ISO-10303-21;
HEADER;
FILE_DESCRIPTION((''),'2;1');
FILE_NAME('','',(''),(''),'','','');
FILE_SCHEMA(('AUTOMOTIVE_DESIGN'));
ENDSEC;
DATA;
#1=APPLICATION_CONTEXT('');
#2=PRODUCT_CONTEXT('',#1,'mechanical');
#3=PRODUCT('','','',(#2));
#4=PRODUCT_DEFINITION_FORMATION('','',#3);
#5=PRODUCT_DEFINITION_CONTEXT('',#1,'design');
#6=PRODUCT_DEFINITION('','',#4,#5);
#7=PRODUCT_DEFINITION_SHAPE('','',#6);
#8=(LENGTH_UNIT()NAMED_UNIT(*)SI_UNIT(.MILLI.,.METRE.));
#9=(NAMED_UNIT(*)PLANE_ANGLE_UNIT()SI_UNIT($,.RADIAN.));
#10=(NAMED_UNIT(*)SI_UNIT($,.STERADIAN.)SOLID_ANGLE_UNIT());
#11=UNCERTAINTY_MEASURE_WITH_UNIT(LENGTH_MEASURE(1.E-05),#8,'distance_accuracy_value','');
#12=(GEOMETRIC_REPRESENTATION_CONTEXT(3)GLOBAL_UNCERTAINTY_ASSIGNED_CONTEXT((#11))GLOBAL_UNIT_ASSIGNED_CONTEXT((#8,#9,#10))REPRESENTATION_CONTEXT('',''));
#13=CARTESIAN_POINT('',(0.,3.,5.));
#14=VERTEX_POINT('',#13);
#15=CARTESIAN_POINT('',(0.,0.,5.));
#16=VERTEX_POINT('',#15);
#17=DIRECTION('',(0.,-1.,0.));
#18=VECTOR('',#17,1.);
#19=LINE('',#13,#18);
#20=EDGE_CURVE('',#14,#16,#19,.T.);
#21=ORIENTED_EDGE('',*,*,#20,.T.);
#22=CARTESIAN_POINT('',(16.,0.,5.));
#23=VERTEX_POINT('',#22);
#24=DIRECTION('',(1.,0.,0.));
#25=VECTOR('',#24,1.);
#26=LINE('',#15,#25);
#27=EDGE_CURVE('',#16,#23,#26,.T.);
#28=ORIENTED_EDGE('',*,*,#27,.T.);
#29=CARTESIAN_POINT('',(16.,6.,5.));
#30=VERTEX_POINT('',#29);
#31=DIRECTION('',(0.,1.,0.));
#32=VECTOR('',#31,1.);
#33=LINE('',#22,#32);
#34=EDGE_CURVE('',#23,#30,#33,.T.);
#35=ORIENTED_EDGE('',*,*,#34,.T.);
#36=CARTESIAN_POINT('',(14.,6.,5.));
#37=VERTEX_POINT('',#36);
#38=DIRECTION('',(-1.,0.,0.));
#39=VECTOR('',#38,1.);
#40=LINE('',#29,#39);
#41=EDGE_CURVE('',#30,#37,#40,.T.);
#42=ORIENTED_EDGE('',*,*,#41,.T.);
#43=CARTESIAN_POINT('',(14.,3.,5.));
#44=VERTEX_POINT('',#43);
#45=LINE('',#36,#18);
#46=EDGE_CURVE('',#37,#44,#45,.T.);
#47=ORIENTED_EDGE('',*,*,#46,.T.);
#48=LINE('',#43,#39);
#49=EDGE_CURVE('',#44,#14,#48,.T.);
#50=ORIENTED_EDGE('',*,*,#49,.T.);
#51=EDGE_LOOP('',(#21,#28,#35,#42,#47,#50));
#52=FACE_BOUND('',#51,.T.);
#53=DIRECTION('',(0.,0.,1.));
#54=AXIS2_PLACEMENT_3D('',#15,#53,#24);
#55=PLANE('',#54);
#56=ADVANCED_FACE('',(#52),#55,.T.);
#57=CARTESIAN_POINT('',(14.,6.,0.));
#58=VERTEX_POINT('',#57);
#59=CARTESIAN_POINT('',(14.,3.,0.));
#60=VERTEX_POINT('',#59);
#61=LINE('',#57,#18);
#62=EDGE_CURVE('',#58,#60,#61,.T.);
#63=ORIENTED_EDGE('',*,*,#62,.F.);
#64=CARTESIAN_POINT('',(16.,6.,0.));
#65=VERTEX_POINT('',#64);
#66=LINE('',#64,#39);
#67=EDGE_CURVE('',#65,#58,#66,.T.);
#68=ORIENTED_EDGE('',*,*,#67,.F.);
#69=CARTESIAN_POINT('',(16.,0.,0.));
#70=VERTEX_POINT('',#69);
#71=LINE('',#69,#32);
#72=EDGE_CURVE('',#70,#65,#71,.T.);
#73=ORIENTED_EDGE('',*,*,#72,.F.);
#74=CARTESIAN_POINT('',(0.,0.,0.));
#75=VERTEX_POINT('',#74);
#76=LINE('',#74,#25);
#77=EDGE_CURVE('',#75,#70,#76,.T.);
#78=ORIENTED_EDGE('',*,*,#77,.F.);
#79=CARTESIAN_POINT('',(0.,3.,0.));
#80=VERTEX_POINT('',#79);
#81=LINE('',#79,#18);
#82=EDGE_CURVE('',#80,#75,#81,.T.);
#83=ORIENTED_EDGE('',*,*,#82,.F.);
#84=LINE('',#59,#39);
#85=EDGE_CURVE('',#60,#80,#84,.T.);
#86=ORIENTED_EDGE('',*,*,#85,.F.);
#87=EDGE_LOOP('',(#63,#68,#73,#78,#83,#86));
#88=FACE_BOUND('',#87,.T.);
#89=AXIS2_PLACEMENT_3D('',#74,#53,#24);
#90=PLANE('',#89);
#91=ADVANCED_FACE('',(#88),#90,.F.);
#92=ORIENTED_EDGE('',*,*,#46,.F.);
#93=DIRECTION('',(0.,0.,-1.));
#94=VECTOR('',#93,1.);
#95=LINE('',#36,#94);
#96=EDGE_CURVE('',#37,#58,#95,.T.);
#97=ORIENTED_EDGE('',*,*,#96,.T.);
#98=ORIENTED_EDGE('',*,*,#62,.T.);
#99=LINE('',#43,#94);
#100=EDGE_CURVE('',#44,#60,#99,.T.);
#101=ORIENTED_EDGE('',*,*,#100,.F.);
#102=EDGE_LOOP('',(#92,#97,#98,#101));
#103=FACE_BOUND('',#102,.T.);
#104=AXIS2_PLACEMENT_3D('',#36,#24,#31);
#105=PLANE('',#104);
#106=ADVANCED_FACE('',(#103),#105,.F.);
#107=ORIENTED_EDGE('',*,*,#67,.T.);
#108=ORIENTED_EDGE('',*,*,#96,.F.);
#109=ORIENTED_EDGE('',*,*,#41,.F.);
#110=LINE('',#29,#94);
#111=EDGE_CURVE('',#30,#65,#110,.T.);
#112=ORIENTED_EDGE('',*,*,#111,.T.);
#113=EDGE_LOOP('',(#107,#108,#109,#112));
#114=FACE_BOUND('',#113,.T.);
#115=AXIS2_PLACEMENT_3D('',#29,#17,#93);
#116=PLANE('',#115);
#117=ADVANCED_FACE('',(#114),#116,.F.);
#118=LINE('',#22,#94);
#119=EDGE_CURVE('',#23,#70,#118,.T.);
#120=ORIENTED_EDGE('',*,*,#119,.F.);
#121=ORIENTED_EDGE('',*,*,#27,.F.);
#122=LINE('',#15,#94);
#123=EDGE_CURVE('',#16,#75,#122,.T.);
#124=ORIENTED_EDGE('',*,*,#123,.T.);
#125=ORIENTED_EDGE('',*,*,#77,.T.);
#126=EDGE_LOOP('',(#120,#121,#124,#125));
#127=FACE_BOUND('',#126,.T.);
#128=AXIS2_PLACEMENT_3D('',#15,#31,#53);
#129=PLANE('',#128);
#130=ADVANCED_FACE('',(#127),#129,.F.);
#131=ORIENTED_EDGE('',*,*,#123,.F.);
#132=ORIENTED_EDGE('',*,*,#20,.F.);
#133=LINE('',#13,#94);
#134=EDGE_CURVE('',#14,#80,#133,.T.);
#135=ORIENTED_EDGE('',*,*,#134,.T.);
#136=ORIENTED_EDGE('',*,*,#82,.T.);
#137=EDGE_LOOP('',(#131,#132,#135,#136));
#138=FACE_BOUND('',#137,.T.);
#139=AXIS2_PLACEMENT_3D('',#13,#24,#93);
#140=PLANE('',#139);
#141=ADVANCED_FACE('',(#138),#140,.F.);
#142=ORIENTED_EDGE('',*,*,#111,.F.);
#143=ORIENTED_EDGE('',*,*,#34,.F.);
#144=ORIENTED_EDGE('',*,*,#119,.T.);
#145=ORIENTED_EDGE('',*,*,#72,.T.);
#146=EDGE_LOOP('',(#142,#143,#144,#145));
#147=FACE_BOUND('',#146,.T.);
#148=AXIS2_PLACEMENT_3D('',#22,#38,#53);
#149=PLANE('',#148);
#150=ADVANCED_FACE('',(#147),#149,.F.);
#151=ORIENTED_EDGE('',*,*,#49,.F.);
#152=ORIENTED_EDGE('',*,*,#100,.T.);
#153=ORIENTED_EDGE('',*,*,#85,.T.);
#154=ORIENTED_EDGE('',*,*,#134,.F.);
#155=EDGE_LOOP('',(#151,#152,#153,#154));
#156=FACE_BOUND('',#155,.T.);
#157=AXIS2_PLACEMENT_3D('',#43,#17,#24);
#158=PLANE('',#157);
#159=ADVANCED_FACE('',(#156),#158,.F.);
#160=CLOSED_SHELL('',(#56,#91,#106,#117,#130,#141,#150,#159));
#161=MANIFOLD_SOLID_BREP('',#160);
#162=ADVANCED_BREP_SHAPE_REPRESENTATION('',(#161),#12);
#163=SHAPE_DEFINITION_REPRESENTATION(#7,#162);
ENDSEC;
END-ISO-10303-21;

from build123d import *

# Parameters (mm, degrees)
BOSS_EXTRUDE1_DEPTH = 5


with BuildPart() as part:
    # Sketch1 → Boss-Extrude1 (new body)
    with BuildSketch(Plane.XY):
        Polygon((0, 0), (16, 0), (16, 6), (14, 6), (14, 3), (0, 3), align=None)
    extrude(amount=BOSS_EXTRUDE1_DEPTH)


solid = part.part
